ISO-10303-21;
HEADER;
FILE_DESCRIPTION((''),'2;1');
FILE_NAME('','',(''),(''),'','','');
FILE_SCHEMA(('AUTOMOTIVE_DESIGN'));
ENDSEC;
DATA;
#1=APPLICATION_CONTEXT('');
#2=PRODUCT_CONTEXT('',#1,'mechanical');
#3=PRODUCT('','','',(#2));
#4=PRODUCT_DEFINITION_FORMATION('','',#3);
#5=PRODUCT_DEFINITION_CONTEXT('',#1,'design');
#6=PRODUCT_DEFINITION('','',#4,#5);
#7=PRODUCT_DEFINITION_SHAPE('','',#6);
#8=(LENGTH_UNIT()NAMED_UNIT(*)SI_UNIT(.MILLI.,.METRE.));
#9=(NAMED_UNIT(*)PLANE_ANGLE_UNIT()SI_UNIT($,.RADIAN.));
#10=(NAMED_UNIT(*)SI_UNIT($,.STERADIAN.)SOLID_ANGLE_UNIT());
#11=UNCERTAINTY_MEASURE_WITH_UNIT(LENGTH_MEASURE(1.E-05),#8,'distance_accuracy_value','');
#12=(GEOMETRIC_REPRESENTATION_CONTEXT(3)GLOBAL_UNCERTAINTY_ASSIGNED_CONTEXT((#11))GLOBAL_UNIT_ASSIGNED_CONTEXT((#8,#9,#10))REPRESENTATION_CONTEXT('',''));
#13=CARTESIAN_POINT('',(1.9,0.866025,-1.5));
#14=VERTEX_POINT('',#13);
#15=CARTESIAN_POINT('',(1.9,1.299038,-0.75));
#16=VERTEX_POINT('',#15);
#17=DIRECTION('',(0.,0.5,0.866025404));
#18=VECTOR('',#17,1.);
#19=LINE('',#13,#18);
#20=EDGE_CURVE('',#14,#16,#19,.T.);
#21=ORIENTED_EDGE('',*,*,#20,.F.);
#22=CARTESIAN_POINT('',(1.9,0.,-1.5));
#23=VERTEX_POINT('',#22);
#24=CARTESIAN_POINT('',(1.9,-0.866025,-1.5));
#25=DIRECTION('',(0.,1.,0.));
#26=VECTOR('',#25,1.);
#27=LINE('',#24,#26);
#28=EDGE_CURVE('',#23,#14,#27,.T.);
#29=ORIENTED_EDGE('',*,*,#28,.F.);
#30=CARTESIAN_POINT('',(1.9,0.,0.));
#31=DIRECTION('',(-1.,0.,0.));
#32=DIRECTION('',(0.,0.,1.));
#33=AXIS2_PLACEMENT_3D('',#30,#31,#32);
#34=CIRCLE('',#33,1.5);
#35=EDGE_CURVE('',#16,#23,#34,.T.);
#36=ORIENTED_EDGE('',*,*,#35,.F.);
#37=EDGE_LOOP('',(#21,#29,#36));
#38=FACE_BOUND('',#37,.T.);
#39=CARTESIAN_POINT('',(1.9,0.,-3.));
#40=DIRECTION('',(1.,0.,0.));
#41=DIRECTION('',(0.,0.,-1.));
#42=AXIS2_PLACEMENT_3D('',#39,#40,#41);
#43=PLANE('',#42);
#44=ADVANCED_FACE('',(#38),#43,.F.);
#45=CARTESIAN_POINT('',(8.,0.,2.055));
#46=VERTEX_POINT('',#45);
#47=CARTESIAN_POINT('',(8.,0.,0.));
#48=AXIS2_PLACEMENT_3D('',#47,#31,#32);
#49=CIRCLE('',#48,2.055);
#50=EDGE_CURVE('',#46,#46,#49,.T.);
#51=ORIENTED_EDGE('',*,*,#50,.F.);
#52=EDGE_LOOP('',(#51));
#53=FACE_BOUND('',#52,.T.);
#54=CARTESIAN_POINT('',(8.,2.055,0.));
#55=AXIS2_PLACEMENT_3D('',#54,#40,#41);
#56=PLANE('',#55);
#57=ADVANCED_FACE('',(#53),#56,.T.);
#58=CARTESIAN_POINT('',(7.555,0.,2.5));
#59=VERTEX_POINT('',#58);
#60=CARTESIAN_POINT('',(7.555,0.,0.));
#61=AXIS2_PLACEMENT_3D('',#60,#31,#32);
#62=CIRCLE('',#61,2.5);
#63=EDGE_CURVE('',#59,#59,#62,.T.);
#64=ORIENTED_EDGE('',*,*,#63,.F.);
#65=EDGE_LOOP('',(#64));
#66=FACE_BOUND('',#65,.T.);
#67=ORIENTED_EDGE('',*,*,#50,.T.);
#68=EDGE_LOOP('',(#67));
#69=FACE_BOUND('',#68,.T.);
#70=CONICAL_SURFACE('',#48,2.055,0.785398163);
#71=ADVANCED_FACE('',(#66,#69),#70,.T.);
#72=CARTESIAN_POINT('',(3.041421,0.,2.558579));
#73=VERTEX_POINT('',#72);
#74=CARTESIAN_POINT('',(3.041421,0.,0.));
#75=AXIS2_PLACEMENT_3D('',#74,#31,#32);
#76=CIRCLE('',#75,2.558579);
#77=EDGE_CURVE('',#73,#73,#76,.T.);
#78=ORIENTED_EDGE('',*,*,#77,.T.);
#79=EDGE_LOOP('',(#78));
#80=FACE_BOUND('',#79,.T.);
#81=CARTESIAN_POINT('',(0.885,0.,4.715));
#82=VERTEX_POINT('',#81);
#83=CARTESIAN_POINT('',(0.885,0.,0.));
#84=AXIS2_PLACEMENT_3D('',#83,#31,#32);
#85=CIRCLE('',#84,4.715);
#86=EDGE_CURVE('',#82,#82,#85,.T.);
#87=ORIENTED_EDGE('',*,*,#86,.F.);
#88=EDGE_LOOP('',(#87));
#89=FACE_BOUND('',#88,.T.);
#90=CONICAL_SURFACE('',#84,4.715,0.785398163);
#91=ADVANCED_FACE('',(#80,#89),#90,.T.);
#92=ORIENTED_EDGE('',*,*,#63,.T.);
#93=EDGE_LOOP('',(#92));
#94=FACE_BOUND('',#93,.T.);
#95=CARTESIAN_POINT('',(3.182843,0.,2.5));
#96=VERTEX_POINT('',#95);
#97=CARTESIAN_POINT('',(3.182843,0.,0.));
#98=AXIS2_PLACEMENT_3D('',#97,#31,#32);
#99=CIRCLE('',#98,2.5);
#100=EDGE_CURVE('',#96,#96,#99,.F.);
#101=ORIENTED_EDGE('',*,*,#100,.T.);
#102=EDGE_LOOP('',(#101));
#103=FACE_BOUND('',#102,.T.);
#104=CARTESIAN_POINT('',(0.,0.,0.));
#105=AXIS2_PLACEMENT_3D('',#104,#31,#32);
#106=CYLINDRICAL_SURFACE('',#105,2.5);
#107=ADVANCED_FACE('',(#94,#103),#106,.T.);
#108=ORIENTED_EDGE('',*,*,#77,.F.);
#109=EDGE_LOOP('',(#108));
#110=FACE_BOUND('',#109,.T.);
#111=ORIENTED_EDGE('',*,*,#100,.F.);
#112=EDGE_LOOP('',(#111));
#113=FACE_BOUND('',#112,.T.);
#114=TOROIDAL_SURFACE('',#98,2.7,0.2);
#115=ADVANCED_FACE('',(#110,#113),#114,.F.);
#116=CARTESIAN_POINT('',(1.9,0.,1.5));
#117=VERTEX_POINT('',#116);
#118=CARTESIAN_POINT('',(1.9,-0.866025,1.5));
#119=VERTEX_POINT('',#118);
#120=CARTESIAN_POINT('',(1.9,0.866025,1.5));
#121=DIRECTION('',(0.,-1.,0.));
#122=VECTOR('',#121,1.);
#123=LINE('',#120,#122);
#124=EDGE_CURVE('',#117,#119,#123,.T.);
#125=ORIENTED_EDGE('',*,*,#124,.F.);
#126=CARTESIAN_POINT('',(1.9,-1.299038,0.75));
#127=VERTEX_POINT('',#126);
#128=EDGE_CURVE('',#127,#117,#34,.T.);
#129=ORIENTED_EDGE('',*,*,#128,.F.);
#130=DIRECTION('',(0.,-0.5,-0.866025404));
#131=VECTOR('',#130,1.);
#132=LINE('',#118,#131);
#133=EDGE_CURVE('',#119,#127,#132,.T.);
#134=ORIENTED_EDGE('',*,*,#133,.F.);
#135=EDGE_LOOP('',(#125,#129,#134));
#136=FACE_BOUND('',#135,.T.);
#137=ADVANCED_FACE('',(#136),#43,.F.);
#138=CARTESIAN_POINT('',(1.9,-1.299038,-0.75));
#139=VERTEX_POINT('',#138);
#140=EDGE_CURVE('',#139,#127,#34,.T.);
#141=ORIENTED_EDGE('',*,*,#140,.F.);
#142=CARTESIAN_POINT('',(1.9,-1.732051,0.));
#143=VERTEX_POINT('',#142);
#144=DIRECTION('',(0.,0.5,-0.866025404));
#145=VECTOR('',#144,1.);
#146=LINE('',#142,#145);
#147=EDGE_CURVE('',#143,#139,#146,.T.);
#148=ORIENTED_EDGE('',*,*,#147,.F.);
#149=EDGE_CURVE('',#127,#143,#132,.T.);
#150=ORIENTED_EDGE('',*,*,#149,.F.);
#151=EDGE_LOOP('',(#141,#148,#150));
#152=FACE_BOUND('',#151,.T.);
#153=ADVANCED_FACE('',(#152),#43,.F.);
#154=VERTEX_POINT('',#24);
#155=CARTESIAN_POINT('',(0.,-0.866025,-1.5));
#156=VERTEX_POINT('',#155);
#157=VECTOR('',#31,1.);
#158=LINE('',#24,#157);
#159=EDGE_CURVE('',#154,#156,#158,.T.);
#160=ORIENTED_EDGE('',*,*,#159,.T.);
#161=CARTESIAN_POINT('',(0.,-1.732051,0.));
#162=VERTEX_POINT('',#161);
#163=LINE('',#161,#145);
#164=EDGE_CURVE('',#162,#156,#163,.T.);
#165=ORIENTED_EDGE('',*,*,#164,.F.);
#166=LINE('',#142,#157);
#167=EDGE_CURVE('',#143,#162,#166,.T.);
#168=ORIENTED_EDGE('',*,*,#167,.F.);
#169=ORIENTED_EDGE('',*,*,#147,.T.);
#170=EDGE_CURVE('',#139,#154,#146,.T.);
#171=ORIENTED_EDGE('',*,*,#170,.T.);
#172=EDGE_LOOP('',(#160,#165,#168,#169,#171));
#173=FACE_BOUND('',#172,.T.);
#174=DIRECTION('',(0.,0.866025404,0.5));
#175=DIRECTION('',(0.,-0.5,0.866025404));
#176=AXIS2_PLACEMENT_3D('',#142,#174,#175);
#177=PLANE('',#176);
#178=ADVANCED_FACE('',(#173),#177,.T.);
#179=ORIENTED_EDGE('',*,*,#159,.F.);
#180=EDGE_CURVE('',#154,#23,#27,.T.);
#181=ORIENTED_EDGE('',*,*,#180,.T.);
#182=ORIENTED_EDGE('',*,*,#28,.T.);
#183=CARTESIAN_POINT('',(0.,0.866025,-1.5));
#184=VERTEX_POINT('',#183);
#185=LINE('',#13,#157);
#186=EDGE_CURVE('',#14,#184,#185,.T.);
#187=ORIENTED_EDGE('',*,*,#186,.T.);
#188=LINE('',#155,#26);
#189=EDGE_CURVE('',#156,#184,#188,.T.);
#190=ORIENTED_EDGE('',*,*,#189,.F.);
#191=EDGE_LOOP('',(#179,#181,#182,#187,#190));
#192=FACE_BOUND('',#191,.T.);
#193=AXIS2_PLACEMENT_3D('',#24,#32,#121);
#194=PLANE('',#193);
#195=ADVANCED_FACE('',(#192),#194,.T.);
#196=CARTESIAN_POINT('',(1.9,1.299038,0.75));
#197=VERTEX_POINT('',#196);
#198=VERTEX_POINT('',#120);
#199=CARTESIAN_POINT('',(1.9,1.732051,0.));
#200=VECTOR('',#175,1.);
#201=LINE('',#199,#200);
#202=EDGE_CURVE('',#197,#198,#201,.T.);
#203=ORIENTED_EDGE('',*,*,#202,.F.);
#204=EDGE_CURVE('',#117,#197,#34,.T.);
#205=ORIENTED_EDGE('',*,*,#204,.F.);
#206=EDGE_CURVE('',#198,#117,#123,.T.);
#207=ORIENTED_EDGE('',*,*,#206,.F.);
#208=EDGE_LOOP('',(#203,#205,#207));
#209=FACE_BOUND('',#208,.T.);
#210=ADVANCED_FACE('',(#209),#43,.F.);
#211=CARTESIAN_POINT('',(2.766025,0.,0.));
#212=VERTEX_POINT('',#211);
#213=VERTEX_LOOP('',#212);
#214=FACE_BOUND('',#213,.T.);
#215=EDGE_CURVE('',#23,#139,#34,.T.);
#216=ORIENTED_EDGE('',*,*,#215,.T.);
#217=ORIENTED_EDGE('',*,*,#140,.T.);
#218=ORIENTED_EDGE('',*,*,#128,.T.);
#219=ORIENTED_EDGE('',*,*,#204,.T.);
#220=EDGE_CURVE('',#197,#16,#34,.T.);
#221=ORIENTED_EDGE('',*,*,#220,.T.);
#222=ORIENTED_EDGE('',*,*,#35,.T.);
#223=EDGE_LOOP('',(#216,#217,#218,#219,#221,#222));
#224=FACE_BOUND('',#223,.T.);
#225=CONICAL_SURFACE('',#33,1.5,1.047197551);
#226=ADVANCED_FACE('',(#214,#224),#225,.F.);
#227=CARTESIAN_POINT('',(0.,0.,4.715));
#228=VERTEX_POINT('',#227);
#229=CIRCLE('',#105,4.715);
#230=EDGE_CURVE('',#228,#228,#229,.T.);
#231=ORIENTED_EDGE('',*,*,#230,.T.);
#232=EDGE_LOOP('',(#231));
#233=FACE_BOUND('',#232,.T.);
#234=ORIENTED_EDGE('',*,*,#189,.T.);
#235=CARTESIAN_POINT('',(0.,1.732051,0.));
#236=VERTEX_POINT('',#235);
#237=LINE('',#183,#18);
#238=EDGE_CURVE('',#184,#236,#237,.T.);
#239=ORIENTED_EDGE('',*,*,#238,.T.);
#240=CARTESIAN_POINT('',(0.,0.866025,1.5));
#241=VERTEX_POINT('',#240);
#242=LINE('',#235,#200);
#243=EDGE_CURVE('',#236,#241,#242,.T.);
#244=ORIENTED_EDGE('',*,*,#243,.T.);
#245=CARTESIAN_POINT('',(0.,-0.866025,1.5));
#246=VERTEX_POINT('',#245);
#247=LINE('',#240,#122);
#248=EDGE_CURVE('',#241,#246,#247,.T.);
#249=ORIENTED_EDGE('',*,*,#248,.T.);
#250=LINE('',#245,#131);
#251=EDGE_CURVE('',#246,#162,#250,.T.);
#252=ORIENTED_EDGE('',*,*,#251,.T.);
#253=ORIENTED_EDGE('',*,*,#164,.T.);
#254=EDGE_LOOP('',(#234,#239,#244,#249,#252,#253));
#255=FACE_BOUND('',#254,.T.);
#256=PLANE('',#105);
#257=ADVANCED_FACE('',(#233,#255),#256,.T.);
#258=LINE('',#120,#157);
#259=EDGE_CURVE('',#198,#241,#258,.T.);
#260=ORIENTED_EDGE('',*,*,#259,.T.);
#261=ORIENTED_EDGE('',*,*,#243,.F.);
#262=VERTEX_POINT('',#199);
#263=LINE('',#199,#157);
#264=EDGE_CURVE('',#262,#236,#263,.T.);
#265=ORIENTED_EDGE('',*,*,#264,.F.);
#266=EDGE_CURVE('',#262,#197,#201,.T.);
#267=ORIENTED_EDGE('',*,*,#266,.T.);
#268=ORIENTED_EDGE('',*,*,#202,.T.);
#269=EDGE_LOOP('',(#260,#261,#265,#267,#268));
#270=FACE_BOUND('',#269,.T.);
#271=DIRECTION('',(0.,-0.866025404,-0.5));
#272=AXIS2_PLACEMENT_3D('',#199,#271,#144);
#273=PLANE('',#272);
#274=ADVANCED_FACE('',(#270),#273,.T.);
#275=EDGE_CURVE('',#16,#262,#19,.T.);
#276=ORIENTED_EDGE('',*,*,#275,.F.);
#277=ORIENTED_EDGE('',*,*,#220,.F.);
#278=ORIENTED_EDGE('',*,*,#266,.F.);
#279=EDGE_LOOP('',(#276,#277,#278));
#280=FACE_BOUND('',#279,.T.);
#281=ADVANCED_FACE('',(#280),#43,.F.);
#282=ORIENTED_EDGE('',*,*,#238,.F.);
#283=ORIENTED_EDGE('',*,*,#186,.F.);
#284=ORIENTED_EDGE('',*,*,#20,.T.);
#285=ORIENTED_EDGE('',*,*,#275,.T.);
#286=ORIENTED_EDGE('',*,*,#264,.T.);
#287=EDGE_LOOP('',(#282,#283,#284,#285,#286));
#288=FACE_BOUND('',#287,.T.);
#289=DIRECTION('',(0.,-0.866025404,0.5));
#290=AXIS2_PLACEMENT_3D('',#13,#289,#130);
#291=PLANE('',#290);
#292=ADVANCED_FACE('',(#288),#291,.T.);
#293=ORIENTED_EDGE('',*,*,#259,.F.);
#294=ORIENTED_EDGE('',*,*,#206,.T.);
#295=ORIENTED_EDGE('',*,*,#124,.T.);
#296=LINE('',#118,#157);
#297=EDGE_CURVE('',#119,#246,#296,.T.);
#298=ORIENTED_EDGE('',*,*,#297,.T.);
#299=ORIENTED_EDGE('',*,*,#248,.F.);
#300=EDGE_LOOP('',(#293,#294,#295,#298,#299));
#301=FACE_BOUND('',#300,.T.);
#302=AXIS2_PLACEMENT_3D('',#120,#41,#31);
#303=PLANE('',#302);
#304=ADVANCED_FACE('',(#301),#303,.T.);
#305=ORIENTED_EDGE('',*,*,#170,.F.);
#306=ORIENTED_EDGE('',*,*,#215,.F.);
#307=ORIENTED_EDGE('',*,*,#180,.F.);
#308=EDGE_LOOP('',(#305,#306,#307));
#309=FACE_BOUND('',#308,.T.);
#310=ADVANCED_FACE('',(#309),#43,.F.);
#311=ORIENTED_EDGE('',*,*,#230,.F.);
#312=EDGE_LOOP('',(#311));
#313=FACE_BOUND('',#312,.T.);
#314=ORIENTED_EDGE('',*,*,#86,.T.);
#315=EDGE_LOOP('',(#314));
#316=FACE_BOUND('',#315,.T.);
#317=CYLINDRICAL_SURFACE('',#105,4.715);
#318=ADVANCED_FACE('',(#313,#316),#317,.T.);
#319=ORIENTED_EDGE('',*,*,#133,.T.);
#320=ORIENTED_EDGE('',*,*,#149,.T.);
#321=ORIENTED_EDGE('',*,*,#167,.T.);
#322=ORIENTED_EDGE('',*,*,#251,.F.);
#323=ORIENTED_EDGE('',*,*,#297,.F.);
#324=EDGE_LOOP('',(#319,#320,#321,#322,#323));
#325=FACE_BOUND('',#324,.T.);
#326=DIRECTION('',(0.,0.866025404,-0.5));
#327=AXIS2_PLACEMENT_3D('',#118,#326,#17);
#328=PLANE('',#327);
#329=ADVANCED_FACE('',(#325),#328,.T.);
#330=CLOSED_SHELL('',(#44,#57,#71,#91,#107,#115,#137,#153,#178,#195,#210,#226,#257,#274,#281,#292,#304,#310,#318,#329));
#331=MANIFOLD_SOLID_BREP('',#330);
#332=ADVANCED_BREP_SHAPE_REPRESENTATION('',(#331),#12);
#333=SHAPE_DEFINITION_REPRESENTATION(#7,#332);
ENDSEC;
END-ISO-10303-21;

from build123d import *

# Parameters (mm, degrees)
FILLET1_R   = 0.2
HEX_2_DEPTH = 1.9


with BuildPart() as part:
    # BodySke → BaseBody (revolve)
    with BuildSketch(Plane.XY, mode=Mode.PRIVATE) as basebody_sk:
        Polygon((0, 0), (0, 4.715), (0.885, 4.715), (3.1, 2.5), (7.555, 2.5), (8, 2.055), (8, 0), align=None)
    revolve(basebody_sk.sketch.rotate(Axis((0, 0, 0), (1, 0, 0)), 90), axis=Axis((0, 0, 0), (1, 0, 0)))

    # Fillet1
    fillet1_edges = [part.edges().sort_by_distance(p)[0] for p in [
        (3.1, 0, -2.5),
    ]]
    fillet(fillet1_edges, radius=FILLET1_R)

    # Sketch2 → PreBroach (revolve, cut)
    with BuildSketch(Plane.XY, mode=Mode.PRIVATE) as prebroach_sk:
        Polygon((0, 1.5), (1.9, 1.5), (2.766025404, 0), (0, 0), align=None)
    revolve(prebroach_sk.sketch.rotate(Axis((0, 0, 0), (1, 0, 0)), 90), axis=Axis((0, 0, 0), (1, 0, 0)), mode=Mode.SUBTRACT)

    # Sketch3 → Hex 2 (cut)
    with BuildSketch(Plane.ZY):
        Polygon((-1.5, -0.866025404), (-1.5, 0.866025404), (0, 1.732050808), (1.5, 0.866025404), (1.5, -0.866025404), (0, -1.732050808), align=None)
    extrude(amount=-HEX_2_DEPTH, mode=Mode.SUBTRACT)


solid = part.part
